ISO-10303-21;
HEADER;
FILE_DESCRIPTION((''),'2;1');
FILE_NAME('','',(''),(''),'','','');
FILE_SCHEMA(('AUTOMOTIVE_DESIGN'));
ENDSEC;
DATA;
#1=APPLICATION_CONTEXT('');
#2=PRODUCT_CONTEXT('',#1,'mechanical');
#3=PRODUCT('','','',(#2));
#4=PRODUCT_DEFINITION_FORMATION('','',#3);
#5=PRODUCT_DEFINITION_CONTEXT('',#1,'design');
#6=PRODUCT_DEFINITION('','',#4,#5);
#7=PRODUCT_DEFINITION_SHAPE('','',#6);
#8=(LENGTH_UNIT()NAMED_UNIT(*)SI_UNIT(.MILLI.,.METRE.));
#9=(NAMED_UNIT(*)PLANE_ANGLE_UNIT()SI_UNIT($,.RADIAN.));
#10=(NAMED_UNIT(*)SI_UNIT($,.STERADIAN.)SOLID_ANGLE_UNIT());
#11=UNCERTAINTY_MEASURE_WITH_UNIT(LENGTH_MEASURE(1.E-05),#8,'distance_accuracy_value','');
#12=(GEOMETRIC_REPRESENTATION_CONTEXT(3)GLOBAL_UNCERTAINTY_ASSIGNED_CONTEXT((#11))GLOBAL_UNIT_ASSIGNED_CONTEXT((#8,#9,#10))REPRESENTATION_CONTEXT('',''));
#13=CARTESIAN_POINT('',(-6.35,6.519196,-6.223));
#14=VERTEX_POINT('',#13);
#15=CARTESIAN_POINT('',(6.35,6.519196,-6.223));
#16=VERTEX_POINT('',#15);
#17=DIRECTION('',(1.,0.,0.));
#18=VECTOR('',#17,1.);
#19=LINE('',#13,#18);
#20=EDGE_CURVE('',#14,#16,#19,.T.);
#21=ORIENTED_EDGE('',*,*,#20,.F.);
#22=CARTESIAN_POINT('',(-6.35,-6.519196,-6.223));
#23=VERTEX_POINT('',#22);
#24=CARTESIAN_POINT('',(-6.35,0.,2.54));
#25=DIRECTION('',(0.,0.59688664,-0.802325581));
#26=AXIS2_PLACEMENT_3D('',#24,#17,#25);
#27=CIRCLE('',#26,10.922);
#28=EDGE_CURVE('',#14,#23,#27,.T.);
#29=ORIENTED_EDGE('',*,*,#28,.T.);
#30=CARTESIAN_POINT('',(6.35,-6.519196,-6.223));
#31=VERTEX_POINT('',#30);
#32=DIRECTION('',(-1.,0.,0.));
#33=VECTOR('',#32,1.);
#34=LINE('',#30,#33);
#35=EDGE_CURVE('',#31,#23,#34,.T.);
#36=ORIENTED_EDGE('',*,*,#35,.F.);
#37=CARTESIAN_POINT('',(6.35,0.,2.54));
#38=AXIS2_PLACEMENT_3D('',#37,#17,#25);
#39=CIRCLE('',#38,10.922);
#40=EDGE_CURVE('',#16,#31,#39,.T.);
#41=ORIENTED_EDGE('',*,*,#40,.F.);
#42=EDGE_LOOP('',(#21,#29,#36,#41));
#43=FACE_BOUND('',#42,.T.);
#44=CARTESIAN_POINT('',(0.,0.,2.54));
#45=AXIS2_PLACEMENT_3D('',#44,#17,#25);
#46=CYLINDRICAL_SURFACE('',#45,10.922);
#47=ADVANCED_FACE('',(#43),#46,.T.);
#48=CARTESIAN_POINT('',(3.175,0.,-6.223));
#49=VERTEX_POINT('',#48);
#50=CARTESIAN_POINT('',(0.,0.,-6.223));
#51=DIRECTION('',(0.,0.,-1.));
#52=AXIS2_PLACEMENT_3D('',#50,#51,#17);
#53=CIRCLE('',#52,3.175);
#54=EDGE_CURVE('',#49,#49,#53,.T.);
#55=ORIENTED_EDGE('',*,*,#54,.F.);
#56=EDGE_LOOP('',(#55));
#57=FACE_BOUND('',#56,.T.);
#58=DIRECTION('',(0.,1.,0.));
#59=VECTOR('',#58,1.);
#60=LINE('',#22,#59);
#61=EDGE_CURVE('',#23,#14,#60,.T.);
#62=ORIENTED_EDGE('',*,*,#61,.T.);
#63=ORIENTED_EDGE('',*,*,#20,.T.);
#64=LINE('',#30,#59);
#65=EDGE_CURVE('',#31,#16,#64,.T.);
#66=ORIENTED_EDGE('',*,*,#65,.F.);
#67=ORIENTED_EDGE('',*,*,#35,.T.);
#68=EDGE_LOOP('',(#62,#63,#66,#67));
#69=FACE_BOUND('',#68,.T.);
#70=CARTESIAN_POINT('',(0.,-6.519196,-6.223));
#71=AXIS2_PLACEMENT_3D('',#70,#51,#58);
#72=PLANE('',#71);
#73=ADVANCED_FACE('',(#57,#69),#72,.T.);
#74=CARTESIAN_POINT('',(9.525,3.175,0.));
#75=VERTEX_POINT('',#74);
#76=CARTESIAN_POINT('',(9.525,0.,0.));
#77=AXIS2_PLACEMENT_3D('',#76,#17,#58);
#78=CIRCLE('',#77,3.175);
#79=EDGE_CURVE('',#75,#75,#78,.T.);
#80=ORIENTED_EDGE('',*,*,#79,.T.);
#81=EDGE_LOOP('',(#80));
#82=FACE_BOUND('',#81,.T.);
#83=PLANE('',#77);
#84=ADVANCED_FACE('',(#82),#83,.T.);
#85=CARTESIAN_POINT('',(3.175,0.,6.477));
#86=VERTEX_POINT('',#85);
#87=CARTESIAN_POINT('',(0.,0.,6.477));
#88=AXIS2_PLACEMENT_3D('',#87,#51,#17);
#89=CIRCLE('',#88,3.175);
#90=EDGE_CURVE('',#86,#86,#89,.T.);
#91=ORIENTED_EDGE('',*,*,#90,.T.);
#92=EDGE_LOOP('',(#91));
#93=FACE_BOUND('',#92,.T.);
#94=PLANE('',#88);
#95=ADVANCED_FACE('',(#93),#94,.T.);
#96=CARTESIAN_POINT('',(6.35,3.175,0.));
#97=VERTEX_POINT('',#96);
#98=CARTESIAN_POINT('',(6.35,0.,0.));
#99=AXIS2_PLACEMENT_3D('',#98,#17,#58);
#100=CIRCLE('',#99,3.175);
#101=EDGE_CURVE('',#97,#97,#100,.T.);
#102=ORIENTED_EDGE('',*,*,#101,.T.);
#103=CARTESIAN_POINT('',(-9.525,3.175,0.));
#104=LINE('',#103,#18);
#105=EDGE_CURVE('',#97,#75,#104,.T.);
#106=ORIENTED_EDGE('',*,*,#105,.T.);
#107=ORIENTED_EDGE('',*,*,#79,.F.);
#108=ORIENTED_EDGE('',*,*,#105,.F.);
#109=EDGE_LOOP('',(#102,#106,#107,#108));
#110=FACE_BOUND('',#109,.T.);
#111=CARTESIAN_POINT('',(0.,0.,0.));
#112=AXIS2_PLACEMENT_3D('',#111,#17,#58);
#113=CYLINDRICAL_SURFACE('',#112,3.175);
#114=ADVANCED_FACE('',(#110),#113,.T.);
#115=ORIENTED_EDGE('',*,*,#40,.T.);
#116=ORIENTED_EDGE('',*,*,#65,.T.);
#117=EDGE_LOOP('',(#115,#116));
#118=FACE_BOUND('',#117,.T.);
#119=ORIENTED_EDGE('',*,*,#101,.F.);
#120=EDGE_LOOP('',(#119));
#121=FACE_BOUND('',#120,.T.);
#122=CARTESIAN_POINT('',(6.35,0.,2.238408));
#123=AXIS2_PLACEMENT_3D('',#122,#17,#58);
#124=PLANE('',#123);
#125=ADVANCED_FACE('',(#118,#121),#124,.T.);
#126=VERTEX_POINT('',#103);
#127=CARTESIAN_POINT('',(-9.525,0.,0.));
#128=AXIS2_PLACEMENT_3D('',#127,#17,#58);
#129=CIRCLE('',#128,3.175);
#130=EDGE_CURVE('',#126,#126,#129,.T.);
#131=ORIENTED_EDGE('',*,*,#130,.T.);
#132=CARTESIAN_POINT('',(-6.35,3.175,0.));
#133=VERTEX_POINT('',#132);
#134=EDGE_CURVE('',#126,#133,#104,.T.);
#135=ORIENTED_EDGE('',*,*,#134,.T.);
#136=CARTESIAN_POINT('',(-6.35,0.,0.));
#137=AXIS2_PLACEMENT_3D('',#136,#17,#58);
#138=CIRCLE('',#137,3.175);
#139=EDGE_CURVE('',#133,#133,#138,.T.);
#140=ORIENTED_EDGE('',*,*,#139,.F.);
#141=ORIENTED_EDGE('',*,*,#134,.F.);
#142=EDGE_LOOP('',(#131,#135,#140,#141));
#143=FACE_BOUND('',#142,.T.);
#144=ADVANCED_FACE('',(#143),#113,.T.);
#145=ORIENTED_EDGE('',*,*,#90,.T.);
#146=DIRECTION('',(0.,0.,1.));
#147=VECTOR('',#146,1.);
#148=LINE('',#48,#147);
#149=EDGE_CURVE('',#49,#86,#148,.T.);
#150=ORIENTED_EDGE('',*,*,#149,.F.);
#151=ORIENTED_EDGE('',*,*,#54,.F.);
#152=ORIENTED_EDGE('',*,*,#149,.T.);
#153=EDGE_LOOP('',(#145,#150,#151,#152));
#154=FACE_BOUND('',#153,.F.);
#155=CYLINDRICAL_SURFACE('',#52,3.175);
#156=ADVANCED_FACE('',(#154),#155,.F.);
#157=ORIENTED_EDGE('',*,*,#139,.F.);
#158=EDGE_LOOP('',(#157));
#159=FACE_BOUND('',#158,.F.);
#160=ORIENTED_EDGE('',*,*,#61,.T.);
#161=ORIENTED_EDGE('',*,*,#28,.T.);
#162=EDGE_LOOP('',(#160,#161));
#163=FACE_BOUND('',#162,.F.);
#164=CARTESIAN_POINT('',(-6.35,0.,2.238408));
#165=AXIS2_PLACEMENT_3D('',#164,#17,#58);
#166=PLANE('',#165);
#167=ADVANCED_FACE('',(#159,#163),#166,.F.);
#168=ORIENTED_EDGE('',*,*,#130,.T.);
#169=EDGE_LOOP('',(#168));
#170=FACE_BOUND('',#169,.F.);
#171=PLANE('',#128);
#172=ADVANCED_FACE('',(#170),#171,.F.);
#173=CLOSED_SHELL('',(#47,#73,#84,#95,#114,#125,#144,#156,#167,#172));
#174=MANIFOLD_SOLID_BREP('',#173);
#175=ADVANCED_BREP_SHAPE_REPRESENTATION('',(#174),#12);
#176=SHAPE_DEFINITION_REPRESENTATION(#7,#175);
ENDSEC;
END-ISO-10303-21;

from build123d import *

# Parameters (mm, degrees)
F1_DEPTH = 6.35
F2_R     = 3.175
F3_DEPTH = 9.525
F4_R     = 3.175
F5_DEPTH = 9.525
F6_R     = 3.175
F7_DEPTH = 12.7


with BuildPart() as f1:
    # F0 (on Right) → F1 (new body, symmetric)
    with BuildSketch(Plane.YZ):
        with BuildLine():
            Line((-6.519195886, -6.223), (6.519195886, -6.223))
            ThreePointArc((6.519195886, -6.223), (0, 13.462), (-6.519195886, -6.223))
        make_face()
    extrude(amount=F1_DEPTH, both=True)



with BuildPart() as f3:
    # F2 (on Right) → F3 (new body, symmetric)
    with BuildSketch(Plane.YZ):
        Circle(F2_R)
    extrude(amount=F3_DEPTH, both=True)


with BuildPart() as f1_1:
    add(f1.part)

    add(f3.part)  # F5 merges F3
    # F4 (on Right) → F5 (join, symmetric)
    with BuildSketch(Plane.YZ):
        Circle(F4_R)
    extrude(amount=F5_DEPTH, both=True)

    # F6 (on face) → F7 (cut)
    with BuildSketch(Plane(origin=(0, 0, -6.223), x_dir=(1, 0, 0), z_dir=(0, 0, -1))):
        Circle(F6_R)
    extrude(amount=-F7_DEPTH, mode=Mode.SUBTRACT)


solid = f1_1.part
